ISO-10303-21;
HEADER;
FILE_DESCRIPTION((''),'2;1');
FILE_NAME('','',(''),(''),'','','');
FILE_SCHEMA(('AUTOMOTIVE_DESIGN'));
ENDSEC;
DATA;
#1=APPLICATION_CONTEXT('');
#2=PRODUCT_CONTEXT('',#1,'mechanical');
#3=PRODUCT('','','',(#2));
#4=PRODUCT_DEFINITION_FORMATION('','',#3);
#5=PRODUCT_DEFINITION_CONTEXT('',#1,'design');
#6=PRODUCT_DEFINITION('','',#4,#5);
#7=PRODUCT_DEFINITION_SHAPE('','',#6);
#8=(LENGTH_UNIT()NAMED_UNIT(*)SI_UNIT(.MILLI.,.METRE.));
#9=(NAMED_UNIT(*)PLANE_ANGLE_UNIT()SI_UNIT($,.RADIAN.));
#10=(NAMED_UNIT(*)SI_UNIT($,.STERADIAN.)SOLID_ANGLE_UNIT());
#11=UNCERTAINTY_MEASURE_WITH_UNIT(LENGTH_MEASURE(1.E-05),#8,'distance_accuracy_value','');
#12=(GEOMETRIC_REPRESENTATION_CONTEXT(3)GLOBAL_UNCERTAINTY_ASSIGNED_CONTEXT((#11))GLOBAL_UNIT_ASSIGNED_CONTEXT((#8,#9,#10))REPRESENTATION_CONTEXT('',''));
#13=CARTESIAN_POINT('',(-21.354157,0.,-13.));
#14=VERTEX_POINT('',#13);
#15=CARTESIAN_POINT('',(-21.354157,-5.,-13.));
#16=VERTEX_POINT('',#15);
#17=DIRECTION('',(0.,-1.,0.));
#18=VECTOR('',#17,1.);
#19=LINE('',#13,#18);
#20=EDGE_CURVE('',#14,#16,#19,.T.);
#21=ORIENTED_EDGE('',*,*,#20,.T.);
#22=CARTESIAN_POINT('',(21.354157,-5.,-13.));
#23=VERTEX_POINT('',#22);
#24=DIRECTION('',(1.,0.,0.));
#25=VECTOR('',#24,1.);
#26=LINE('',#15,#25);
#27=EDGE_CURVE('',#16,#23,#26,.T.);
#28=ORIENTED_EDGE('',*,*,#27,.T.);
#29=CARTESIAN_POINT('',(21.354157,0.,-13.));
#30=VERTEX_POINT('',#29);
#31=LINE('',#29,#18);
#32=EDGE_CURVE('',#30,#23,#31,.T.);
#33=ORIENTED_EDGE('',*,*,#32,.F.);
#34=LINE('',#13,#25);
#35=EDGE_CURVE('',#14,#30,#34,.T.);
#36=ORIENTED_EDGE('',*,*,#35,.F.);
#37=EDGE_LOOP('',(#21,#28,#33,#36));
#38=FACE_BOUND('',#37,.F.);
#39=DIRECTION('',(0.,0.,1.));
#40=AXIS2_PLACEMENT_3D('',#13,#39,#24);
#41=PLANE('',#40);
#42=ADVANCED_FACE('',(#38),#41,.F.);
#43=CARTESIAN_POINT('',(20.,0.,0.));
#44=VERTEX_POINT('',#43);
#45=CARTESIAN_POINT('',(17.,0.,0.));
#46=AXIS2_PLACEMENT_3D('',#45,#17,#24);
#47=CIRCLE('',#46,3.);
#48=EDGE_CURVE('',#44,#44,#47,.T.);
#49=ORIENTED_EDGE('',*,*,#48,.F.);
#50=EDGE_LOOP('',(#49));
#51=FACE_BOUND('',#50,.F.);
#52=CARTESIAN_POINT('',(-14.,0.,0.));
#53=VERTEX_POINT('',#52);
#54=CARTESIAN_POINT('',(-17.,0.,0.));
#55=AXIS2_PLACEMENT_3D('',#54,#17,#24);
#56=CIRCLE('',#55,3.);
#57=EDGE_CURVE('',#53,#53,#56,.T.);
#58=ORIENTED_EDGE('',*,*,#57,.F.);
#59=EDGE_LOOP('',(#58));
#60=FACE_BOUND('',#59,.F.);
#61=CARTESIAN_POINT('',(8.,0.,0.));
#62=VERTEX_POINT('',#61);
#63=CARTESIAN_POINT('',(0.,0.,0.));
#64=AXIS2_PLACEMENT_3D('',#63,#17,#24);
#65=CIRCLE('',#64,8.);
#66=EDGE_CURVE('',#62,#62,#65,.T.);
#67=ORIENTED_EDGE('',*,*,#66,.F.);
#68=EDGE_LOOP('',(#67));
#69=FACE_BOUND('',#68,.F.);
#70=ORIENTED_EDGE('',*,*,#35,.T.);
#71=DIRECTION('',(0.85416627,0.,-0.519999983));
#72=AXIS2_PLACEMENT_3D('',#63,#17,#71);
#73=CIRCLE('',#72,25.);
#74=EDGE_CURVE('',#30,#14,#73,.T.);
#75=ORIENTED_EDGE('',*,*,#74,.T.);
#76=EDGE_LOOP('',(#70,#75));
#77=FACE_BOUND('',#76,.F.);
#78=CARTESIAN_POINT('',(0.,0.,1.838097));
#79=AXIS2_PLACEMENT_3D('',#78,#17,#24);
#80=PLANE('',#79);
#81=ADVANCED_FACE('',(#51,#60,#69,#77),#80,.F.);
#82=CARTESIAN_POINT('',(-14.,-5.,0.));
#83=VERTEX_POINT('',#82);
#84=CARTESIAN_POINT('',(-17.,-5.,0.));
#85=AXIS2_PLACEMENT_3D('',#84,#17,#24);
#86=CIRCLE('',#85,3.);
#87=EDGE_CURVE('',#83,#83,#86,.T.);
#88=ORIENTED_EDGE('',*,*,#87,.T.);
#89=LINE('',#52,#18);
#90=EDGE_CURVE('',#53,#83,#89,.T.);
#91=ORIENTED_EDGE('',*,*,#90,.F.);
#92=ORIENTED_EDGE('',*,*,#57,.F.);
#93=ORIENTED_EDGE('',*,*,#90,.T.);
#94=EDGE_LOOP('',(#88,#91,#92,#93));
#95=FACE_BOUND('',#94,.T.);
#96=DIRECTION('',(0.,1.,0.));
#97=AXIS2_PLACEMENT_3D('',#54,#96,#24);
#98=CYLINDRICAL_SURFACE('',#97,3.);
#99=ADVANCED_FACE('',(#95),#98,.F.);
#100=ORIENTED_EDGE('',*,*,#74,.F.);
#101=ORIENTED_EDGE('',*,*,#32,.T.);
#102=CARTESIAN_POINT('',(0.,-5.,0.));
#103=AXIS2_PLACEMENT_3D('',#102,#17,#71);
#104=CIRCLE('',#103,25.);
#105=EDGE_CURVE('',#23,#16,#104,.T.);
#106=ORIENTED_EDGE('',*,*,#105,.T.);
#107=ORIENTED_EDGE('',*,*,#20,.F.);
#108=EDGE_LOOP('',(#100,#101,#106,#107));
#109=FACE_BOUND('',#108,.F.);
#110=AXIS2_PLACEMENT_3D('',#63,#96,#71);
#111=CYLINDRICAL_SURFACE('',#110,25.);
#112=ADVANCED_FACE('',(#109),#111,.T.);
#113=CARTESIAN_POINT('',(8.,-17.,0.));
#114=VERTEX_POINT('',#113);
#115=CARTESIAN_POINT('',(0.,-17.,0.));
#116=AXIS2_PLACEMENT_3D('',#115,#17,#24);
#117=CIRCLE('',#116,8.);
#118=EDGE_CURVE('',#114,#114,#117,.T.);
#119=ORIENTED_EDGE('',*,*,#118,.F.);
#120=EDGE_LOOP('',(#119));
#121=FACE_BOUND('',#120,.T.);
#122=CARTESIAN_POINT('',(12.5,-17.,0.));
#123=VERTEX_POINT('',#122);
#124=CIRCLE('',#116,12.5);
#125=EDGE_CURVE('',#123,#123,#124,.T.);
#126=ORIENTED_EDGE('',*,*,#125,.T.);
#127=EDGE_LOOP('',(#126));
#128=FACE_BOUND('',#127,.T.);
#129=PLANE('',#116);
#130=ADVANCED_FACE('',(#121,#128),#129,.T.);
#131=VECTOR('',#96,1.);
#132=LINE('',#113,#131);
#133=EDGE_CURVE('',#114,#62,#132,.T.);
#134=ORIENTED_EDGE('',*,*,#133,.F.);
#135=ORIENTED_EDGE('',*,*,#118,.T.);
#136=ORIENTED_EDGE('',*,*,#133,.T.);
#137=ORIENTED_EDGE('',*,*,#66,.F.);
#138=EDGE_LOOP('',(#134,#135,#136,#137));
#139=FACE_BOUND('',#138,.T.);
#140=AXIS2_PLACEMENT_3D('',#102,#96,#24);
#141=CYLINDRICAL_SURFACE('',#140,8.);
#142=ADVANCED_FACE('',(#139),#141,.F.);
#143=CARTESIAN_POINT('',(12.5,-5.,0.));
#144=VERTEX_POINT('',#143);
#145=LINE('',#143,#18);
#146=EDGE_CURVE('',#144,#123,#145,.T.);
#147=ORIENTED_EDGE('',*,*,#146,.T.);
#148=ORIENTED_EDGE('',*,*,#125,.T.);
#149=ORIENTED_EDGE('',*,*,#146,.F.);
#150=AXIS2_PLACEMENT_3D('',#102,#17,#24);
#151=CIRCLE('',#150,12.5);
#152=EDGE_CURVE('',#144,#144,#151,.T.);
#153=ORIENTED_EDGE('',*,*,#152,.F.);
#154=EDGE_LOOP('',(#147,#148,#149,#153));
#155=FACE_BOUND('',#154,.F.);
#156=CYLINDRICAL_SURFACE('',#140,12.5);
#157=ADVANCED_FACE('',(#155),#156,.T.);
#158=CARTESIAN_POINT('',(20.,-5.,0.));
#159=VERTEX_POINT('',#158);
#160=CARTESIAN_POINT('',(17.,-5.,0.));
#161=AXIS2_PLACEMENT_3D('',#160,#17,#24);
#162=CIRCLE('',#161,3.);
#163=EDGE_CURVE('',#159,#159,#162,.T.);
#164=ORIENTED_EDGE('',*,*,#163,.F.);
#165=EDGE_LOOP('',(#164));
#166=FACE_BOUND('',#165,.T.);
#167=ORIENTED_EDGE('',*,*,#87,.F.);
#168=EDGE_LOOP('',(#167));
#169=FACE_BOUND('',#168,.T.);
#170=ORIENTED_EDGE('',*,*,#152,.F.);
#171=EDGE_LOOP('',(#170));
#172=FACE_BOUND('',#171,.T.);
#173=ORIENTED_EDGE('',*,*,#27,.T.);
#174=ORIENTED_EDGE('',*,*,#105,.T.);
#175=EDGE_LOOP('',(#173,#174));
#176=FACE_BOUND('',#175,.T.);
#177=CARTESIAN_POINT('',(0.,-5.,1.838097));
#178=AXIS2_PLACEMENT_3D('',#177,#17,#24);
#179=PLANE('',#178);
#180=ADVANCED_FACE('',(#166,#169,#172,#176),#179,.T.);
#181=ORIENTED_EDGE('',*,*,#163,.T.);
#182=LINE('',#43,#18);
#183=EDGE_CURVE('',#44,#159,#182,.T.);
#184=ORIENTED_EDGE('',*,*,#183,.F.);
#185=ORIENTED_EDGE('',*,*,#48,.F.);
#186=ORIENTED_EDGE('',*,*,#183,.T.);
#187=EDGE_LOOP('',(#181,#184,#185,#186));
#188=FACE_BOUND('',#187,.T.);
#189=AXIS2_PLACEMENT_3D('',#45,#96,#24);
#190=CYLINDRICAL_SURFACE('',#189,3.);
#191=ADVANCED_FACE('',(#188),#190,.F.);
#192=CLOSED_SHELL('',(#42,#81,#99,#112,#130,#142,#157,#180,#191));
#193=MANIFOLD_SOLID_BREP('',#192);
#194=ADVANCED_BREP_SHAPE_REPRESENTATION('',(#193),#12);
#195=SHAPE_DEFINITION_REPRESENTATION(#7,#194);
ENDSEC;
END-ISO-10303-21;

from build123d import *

# Parameters (mm, degrees)
F0_R     = 3
F0_R_2   = 8
F1_DEPTH = 5
F2_R     = 12.5
F2_R_2   = 8
F3_DEPTH = 12


with BuildPart() as f1:
    # F0 (on Front) → F1 (new body)
    with BuildSketch(Plane.XZ):
        with BuildLine():
            Line((-21.354157, -13), (21.354157, -13))
            ThreePointArc((21.354157, -13), (0, 25), (-21.354157, -13))
        make_face()
        with Locations((-17, 0)):
            Circle(F0_R, mode=Mode.SUBTRACT)
        Circle(F0_R_2, mode=Mode.SUBTRACT)
        with Locations((17, 0)):
            Circle(F0_R, mode=Mode.SUBTRACT)
    extrude(amount=F1_DEPTH)

    # F2 (on face) → F3 (join)
    with BuildSketch(Plane.XZ.offset(5)):
        Circle(F2_R)
        Circle(F2_R_2, mode=Mode.SUBTRACT)
    extrude(amount=F3_DEPTH)


solid = f1.part
